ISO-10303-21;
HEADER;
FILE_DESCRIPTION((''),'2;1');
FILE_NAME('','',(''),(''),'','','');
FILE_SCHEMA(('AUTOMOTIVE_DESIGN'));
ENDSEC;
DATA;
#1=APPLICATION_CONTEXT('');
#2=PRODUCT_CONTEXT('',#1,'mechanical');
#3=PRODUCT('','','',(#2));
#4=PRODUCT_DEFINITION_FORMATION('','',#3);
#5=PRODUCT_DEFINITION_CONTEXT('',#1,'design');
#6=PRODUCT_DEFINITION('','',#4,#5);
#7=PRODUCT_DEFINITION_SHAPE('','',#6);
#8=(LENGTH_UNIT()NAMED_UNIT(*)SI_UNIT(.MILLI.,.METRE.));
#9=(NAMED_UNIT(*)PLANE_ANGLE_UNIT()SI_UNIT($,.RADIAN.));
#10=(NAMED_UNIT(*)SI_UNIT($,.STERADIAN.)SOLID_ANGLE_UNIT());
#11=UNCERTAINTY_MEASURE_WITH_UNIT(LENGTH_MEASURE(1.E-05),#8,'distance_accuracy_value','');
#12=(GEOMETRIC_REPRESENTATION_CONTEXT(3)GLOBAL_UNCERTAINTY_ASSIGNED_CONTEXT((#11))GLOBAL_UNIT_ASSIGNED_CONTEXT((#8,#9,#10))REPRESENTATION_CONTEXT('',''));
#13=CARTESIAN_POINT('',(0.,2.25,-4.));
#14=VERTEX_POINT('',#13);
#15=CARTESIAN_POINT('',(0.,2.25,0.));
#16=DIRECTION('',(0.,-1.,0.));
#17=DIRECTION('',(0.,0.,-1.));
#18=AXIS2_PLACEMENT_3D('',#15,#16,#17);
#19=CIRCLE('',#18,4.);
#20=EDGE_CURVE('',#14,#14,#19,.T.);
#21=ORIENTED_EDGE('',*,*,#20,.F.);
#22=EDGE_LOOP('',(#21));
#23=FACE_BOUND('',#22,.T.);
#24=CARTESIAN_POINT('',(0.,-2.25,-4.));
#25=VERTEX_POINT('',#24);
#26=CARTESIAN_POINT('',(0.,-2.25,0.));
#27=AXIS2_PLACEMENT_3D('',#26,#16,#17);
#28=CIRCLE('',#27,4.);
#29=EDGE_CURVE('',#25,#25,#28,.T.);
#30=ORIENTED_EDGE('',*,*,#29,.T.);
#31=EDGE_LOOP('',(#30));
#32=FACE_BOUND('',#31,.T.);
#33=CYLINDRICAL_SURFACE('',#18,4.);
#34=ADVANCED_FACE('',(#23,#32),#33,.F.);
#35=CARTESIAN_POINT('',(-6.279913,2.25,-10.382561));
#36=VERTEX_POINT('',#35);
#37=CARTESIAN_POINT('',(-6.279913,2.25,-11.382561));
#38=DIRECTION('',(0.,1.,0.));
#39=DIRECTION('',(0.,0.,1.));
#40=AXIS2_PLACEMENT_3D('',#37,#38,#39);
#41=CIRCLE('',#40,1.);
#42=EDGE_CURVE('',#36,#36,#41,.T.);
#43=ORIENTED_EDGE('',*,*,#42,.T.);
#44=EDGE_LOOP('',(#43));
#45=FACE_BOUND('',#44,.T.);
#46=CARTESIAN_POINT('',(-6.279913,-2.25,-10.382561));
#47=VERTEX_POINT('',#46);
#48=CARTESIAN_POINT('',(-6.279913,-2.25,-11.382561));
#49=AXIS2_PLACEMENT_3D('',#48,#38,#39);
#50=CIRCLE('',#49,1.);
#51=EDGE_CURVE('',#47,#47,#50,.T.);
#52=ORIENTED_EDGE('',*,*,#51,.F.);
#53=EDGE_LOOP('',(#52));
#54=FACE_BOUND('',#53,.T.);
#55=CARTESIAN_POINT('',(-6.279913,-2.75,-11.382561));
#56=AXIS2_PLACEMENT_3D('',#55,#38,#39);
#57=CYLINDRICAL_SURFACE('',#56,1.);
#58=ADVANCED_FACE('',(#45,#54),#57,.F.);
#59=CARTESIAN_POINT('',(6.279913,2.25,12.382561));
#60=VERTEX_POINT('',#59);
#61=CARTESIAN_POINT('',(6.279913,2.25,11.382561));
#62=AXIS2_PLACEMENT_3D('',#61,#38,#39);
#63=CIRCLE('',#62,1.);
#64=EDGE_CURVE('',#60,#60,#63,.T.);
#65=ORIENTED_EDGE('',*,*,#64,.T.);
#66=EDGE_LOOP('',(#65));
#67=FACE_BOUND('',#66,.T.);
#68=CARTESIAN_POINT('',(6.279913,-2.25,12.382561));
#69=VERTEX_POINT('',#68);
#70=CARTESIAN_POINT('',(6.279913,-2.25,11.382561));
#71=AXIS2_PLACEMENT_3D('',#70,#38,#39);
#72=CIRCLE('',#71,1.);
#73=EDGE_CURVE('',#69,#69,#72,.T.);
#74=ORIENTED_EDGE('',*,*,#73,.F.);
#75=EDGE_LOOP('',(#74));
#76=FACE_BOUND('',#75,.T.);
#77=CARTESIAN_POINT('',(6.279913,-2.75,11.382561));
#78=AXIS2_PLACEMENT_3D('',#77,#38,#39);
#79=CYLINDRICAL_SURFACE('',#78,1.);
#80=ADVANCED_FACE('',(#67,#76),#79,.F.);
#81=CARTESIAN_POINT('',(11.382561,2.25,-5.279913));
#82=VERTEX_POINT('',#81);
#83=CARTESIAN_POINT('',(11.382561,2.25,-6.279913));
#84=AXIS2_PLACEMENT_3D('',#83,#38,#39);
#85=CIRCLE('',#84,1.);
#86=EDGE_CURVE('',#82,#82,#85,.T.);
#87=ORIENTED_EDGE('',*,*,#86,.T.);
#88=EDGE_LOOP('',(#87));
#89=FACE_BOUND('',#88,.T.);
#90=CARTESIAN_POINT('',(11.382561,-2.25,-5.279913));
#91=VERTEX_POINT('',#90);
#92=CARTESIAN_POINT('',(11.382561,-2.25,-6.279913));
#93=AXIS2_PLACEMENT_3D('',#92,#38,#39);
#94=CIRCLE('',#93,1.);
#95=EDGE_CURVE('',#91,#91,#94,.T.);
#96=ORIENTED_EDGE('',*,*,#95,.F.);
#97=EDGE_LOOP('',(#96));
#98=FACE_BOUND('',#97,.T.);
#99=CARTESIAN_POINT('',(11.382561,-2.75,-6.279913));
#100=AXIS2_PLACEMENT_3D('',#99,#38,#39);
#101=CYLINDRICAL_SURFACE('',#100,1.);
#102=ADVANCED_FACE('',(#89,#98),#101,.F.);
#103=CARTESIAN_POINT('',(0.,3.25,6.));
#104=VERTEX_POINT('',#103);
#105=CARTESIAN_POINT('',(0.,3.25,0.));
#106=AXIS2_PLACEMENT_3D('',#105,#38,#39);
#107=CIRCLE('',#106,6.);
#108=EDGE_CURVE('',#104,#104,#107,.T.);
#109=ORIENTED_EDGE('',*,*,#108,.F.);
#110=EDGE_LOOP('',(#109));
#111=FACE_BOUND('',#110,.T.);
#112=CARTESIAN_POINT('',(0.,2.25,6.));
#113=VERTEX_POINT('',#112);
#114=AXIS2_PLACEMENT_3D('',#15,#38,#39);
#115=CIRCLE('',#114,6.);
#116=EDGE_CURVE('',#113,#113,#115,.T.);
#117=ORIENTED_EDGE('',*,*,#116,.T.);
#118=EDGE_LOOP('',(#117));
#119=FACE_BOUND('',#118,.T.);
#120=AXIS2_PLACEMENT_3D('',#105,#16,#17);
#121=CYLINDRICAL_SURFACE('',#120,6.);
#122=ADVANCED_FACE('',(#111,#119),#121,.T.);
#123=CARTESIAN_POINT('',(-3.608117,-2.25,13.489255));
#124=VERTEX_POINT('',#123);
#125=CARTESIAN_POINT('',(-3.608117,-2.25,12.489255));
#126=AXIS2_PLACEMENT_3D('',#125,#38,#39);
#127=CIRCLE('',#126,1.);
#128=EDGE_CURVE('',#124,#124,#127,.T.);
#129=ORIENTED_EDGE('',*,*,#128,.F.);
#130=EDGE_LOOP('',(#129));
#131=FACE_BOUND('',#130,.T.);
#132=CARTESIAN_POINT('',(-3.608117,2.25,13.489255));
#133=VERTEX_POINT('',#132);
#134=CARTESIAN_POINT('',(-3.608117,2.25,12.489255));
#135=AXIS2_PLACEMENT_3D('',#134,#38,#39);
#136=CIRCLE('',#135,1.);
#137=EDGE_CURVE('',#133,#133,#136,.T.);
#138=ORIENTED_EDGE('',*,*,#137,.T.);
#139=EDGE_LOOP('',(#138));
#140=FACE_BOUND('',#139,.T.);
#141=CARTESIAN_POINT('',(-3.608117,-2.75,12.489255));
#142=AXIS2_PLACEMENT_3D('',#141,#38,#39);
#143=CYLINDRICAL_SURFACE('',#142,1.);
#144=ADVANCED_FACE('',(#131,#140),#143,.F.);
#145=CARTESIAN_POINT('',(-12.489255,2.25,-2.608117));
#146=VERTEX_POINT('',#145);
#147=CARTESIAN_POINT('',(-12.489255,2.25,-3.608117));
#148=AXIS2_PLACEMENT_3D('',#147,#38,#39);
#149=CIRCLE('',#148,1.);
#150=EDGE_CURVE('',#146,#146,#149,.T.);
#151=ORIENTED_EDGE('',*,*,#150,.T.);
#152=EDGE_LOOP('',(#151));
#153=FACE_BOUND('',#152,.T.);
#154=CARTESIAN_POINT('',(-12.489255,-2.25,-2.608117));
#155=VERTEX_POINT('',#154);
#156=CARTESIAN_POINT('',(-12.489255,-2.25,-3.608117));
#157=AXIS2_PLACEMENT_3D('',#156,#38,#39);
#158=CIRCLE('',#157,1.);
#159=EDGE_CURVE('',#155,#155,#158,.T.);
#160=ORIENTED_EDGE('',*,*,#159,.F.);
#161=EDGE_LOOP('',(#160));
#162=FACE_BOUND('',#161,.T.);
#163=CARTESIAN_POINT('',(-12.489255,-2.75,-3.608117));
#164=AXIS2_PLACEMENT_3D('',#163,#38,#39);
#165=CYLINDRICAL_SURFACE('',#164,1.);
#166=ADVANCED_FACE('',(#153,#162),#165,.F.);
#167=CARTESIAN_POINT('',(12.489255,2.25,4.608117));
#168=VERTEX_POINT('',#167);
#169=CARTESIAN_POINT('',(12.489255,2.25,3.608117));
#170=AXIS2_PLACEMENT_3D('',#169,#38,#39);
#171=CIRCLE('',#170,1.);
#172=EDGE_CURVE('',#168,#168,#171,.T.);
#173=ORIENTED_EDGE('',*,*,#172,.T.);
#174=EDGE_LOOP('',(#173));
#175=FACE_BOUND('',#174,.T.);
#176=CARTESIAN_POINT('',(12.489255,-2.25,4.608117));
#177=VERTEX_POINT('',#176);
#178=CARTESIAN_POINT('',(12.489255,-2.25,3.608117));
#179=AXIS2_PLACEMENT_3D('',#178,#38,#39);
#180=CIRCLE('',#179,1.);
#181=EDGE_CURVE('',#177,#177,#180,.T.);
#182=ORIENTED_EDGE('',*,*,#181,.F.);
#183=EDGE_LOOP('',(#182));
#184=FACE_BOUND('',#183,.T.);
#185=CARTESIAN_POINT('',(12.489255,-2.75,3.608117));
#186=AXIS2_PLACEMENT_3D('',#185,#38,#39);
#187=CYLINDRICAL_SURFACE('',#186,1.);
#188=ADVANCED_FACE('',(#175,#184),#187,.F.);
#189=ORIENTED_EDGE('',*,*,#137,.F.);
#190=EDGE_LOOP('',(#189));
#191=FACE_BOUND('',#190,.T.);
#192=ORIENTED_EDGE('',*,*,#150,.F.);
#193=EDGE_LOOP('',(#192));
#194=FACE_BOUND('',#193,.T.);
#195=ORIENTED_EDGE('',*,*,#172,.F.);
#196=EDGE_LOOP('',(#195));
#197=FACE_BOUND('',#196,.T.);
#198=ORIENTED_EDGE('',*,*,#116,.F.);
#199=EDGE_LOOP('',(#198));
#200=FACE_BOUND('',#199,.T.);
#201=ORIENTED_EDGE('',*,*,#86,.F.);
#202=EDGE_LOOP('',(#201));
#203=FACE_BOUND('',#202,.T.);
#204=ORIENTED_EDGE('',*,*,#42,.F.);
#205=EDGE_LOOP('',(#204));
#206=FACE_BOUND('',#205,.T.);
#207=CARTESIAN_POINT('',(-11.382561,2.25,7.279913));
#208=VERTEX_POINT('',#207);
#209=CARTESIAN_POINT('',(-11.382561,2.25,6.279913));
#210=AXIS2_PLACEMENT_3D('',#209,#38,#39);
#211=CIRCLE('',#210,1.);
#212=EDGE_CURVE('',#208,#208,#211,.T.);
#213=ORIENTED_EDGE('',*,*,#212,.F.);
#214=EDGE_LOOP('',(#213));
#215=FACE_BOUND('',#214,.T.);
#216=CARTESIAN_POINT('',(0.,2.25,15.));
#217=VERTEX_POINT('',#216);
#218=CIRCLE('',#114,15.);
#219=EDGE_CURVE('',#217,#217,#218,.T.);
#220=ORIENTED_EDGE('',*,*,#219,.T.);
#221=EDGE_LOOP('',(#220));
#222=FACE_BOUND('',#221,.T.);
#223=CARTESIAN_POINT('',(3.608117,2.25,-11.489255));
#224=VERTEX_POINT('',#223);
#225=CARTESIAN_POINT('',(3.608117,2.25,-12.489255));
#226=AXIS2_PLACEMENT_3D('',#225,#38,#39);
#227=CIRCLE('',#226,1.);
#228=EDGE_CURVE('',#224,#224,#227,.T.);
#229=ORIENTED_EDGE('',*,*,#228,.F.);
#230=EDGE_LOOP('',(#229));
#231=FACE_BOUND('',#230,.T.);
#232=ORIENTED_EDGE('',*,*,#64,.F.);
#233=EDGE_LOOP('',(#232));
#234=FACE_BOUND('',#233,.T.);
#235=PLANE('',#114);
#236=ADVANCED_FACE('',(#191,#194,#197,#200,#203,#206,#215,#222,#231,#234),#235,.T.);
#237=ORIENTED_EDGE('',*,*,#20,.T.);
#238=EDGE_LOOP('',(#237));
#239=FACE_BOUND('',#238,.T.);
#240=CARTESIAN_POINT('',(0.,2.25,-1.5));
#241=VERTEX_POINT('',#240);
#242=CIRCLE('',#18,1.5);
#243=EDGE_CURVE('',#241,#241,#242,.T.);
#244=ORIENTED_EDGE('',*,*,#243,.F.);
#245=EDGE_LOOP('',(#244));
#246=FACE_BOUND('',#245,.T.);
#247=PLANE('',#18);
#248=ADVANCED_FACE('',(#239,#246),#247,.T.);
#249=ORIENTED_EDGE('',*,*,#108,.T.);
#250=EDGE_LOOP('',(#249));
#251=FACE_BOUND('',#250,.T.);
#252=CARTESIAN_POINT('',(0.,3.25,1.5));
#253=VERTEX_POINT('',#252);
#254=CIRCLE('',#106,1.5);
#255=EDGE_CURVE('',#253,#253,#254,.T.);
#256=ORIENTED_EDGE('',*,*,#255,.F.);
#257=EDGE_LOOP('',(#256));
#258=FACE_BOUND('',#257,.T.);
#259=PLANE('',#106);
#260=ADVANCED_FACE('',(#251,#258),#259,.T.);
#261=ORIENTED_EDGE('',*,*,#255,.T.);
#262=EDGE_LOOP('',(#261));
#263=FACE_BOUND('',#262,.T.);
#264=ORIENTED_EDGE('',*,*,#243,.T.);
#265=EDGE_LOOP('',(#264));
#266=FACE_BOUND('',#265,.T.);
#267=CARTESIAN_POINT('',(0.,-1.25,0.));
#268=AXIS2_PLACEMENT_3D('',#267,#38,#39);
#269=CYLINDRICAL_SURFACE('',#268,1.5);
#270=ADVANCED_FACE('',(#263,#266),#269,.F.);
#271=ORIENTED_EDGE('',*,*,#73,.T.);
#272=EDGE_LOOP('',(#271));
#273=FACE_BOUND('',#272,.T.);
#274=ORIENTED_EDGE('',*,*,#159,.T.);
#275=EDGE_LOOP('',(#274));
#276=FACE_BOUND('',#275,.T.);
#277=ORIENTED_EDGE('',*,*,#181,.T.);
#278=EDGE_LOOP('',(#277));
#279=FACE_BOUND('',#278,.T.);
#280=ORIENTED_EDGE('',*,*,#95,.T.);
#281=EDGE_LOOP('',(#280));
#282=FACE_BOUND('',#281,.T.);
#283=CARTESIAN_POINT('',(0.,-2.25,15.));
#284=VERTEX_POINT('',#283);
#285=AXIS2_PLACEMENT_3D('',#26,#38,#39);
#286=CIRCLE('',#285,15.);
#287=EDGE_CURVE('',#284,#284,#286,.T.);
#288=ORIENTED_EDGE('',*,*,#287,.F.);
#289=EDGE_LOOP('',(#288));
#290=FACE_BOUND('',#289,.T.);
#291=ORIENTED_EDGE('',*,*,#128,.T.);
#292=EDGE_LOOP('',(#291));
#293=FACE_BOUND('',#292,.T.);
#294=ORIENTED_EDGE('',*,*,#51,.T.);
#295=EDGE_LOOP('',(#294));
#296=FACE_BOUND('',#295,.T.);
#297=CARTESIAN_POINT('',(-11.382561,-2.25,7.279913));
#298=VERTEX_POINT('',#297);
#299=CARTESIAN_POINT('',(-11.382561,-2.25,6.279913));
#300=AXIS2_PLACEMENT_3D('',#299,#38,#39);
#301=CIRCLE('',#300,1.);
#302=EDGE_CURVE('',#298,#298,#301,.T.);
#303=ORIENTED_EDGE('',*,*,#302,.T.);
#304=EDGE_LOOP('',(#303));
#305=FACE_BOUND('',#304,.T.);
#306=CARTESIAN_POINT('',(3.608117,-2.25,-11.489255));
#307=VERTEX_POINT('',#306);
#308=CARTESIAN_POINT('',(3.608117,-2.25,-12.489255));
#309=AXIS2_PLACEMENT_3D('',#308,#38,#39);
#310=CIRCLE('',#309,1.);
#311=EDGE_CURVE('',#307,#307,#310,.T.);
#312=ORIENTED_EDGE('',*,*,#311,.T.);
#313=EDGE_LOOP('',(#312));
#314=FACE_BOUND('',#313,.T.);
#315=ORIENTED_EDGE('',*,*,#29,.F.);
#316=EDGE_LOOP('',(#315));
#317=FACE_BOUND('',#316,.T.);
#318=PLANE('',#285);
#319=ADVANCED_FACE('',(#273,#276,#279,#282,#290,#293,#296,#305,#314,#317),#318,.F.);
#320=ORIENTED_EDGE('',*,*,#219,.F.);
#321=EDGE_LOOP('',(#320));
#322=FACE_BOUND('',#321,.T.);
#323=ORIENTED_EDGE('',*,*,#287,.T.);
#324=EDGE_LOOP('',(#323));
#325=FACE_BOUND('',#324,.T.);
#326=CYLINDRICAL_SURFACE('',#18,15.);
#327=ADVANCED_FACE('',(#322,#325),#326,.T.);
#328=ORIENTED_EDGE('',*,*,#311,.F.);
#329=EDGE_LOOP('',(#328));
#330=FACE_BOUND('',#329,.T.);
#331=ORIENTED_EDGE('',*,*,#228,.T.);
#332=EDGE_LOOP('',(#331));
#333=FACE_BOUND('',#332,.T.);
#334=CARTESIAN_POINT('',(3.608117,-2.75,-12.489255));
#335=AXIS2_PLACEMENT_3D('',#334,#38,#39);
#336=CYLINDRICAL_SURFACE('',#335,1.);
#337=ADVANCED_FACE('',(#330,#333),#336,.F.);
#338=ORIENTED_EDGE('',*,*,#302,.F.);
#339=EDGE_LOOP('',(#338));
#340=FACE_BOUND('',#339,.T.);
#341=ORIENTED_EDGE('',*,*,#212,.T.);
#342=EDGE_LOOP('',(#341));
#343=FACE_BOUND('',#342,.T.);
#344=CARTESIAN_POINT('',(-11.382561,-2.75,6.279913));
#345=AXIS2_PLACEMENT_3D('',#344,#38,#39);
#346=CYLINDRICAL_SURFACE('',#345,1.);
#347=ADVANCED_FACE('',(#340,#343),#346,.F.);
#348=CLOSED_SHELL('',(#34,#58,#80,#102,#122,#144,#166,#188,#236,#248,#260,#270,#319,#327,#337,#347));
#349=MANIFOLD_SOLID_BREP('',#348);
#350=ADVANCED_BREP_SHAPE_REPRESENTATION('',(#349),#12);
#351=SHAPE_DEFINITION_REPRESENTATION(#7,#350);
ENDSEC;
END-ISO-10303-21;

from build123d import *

# Parameters (mm, degrees)
SKETCH_1_R          = 15
EXTRUDE_1_DEPTH     = 2.25
SKETCH_2_R          = 6
EXTRUDE_2_DEPTH     = 1
SKETCH_3_R          = 1
CUT_EXTRUDE_1_DEPTH = 5
SKETCH_4_R          = 4
CUT_EXTRUDE_2_DEPTH = 4.5
SKETCH_5_R          = 1.5
CUT_EXTRUDE_3_DEPTH = 4.5


with BuildPart() as part:
    # ｽｹｯﾁ1 → ﾎﾞｽ - 押し出し1 (new, symmetric)
    with BuildSketch(Plane(origin=(0, 0, 0), x_dir=(1, 0, 0), z_dir=(0, 1, 0))):
        with Locations(Location((0, 0, 0), (0, 0, 270))):
            Circle(SKETCH_1_R)
    extrude(amount=EXTRUDE_1_DEPTH, both=True)

    # ｽｹｯﾁ2 → ﾎﾞｽ - 押し出し2 (add)
    with BuildSketch(Plane(origin=(0, 2.25, 0), x_dir=(1, 0, 0), z_dir=(0, 1, 0))):
        with Locations(Location((0, 0, 0), (0, 0, 270))):
            Circle(SKETCH_2_R)
    extrude(amount=EXTRUDE_2_DEPTH)

    # ｽｹｯﾁ3 → ｶｯﾄ - 押し出し1 (cut)
    with BuildSketch(Plane(origin=(0, 2.25, 0), x_dir=(1, 0, 0), z_dir=(0, 1, 0))):
        with Locations(Location((-11.382561056, -6.279912723, 0), (0, 0, 270))):
            Circle(SKETCH_3_R)
        with Locations(Location((-12.489254982, 3.608117238, 0), (0, 0, 270))):
            Circle(SKETCH_3_R)
        with Locations(Location((-6.279912723, 11.382561056, 0), (0, 0, 270))):
            Circle(SKETCH_3_R)
        with Locations(Location((3.608117238, 12.489254982, 0), (0, 0, 270))):
            Circle(SKETCH_3_R)
        with Locations(Location((11.382561056, 6.279912723, 0), (0, 0, 270))):
            Circle(SKETCH_3_R)
        with Locations(Location((12.489254982, -3.608117238, 0), (0, 0, 270))):
            Circle(SKETCH_3_R)
        with Locations(Location((6.279912723, -11.382561056, 0), (0, 0, 270))):
            Circle(SKETCH_3_R)
        with Locations(Location((-3.608117238, -12.489254982, 0), (0, 0, 270))):
            Circle(SKETCH_3_R)
    extrude(amount=-CUT_EXTRUDE_1_DEPTH, mode=Mode.SUBTRACT)

    # ｽｹｯﾁ4 → ｶｯﾄ - 押し出し2 (cut)
    with BuildSketch(Plane.XZ.offset(2.25)):
        with Locations(Location((0, 0, 0), (0, 0, 270))):
            Circle(SKETCH_4_R)
    extrude(amount=-CUT_EXTRUDE_2_DEPTH, mode=Mode.SUBTRACT)

    # ｽｹｯﾁ5 → ｶｯﾄ - 押し出し3 (cut)
    with BuildSketch(Plane(origin=(0, 3.25, 0), x_dir=(1, 0, 0), z_dir=(0, 1, 0))):
        with Locations(Location((0, 0, 0), (0, 0, 270))):
            Circle(SKETCH_5_R)
    extrude(amount=-CUT_EXTRUDE_3_DEPTH, mode=Mode.SUBTRACT)


solid = part.part
